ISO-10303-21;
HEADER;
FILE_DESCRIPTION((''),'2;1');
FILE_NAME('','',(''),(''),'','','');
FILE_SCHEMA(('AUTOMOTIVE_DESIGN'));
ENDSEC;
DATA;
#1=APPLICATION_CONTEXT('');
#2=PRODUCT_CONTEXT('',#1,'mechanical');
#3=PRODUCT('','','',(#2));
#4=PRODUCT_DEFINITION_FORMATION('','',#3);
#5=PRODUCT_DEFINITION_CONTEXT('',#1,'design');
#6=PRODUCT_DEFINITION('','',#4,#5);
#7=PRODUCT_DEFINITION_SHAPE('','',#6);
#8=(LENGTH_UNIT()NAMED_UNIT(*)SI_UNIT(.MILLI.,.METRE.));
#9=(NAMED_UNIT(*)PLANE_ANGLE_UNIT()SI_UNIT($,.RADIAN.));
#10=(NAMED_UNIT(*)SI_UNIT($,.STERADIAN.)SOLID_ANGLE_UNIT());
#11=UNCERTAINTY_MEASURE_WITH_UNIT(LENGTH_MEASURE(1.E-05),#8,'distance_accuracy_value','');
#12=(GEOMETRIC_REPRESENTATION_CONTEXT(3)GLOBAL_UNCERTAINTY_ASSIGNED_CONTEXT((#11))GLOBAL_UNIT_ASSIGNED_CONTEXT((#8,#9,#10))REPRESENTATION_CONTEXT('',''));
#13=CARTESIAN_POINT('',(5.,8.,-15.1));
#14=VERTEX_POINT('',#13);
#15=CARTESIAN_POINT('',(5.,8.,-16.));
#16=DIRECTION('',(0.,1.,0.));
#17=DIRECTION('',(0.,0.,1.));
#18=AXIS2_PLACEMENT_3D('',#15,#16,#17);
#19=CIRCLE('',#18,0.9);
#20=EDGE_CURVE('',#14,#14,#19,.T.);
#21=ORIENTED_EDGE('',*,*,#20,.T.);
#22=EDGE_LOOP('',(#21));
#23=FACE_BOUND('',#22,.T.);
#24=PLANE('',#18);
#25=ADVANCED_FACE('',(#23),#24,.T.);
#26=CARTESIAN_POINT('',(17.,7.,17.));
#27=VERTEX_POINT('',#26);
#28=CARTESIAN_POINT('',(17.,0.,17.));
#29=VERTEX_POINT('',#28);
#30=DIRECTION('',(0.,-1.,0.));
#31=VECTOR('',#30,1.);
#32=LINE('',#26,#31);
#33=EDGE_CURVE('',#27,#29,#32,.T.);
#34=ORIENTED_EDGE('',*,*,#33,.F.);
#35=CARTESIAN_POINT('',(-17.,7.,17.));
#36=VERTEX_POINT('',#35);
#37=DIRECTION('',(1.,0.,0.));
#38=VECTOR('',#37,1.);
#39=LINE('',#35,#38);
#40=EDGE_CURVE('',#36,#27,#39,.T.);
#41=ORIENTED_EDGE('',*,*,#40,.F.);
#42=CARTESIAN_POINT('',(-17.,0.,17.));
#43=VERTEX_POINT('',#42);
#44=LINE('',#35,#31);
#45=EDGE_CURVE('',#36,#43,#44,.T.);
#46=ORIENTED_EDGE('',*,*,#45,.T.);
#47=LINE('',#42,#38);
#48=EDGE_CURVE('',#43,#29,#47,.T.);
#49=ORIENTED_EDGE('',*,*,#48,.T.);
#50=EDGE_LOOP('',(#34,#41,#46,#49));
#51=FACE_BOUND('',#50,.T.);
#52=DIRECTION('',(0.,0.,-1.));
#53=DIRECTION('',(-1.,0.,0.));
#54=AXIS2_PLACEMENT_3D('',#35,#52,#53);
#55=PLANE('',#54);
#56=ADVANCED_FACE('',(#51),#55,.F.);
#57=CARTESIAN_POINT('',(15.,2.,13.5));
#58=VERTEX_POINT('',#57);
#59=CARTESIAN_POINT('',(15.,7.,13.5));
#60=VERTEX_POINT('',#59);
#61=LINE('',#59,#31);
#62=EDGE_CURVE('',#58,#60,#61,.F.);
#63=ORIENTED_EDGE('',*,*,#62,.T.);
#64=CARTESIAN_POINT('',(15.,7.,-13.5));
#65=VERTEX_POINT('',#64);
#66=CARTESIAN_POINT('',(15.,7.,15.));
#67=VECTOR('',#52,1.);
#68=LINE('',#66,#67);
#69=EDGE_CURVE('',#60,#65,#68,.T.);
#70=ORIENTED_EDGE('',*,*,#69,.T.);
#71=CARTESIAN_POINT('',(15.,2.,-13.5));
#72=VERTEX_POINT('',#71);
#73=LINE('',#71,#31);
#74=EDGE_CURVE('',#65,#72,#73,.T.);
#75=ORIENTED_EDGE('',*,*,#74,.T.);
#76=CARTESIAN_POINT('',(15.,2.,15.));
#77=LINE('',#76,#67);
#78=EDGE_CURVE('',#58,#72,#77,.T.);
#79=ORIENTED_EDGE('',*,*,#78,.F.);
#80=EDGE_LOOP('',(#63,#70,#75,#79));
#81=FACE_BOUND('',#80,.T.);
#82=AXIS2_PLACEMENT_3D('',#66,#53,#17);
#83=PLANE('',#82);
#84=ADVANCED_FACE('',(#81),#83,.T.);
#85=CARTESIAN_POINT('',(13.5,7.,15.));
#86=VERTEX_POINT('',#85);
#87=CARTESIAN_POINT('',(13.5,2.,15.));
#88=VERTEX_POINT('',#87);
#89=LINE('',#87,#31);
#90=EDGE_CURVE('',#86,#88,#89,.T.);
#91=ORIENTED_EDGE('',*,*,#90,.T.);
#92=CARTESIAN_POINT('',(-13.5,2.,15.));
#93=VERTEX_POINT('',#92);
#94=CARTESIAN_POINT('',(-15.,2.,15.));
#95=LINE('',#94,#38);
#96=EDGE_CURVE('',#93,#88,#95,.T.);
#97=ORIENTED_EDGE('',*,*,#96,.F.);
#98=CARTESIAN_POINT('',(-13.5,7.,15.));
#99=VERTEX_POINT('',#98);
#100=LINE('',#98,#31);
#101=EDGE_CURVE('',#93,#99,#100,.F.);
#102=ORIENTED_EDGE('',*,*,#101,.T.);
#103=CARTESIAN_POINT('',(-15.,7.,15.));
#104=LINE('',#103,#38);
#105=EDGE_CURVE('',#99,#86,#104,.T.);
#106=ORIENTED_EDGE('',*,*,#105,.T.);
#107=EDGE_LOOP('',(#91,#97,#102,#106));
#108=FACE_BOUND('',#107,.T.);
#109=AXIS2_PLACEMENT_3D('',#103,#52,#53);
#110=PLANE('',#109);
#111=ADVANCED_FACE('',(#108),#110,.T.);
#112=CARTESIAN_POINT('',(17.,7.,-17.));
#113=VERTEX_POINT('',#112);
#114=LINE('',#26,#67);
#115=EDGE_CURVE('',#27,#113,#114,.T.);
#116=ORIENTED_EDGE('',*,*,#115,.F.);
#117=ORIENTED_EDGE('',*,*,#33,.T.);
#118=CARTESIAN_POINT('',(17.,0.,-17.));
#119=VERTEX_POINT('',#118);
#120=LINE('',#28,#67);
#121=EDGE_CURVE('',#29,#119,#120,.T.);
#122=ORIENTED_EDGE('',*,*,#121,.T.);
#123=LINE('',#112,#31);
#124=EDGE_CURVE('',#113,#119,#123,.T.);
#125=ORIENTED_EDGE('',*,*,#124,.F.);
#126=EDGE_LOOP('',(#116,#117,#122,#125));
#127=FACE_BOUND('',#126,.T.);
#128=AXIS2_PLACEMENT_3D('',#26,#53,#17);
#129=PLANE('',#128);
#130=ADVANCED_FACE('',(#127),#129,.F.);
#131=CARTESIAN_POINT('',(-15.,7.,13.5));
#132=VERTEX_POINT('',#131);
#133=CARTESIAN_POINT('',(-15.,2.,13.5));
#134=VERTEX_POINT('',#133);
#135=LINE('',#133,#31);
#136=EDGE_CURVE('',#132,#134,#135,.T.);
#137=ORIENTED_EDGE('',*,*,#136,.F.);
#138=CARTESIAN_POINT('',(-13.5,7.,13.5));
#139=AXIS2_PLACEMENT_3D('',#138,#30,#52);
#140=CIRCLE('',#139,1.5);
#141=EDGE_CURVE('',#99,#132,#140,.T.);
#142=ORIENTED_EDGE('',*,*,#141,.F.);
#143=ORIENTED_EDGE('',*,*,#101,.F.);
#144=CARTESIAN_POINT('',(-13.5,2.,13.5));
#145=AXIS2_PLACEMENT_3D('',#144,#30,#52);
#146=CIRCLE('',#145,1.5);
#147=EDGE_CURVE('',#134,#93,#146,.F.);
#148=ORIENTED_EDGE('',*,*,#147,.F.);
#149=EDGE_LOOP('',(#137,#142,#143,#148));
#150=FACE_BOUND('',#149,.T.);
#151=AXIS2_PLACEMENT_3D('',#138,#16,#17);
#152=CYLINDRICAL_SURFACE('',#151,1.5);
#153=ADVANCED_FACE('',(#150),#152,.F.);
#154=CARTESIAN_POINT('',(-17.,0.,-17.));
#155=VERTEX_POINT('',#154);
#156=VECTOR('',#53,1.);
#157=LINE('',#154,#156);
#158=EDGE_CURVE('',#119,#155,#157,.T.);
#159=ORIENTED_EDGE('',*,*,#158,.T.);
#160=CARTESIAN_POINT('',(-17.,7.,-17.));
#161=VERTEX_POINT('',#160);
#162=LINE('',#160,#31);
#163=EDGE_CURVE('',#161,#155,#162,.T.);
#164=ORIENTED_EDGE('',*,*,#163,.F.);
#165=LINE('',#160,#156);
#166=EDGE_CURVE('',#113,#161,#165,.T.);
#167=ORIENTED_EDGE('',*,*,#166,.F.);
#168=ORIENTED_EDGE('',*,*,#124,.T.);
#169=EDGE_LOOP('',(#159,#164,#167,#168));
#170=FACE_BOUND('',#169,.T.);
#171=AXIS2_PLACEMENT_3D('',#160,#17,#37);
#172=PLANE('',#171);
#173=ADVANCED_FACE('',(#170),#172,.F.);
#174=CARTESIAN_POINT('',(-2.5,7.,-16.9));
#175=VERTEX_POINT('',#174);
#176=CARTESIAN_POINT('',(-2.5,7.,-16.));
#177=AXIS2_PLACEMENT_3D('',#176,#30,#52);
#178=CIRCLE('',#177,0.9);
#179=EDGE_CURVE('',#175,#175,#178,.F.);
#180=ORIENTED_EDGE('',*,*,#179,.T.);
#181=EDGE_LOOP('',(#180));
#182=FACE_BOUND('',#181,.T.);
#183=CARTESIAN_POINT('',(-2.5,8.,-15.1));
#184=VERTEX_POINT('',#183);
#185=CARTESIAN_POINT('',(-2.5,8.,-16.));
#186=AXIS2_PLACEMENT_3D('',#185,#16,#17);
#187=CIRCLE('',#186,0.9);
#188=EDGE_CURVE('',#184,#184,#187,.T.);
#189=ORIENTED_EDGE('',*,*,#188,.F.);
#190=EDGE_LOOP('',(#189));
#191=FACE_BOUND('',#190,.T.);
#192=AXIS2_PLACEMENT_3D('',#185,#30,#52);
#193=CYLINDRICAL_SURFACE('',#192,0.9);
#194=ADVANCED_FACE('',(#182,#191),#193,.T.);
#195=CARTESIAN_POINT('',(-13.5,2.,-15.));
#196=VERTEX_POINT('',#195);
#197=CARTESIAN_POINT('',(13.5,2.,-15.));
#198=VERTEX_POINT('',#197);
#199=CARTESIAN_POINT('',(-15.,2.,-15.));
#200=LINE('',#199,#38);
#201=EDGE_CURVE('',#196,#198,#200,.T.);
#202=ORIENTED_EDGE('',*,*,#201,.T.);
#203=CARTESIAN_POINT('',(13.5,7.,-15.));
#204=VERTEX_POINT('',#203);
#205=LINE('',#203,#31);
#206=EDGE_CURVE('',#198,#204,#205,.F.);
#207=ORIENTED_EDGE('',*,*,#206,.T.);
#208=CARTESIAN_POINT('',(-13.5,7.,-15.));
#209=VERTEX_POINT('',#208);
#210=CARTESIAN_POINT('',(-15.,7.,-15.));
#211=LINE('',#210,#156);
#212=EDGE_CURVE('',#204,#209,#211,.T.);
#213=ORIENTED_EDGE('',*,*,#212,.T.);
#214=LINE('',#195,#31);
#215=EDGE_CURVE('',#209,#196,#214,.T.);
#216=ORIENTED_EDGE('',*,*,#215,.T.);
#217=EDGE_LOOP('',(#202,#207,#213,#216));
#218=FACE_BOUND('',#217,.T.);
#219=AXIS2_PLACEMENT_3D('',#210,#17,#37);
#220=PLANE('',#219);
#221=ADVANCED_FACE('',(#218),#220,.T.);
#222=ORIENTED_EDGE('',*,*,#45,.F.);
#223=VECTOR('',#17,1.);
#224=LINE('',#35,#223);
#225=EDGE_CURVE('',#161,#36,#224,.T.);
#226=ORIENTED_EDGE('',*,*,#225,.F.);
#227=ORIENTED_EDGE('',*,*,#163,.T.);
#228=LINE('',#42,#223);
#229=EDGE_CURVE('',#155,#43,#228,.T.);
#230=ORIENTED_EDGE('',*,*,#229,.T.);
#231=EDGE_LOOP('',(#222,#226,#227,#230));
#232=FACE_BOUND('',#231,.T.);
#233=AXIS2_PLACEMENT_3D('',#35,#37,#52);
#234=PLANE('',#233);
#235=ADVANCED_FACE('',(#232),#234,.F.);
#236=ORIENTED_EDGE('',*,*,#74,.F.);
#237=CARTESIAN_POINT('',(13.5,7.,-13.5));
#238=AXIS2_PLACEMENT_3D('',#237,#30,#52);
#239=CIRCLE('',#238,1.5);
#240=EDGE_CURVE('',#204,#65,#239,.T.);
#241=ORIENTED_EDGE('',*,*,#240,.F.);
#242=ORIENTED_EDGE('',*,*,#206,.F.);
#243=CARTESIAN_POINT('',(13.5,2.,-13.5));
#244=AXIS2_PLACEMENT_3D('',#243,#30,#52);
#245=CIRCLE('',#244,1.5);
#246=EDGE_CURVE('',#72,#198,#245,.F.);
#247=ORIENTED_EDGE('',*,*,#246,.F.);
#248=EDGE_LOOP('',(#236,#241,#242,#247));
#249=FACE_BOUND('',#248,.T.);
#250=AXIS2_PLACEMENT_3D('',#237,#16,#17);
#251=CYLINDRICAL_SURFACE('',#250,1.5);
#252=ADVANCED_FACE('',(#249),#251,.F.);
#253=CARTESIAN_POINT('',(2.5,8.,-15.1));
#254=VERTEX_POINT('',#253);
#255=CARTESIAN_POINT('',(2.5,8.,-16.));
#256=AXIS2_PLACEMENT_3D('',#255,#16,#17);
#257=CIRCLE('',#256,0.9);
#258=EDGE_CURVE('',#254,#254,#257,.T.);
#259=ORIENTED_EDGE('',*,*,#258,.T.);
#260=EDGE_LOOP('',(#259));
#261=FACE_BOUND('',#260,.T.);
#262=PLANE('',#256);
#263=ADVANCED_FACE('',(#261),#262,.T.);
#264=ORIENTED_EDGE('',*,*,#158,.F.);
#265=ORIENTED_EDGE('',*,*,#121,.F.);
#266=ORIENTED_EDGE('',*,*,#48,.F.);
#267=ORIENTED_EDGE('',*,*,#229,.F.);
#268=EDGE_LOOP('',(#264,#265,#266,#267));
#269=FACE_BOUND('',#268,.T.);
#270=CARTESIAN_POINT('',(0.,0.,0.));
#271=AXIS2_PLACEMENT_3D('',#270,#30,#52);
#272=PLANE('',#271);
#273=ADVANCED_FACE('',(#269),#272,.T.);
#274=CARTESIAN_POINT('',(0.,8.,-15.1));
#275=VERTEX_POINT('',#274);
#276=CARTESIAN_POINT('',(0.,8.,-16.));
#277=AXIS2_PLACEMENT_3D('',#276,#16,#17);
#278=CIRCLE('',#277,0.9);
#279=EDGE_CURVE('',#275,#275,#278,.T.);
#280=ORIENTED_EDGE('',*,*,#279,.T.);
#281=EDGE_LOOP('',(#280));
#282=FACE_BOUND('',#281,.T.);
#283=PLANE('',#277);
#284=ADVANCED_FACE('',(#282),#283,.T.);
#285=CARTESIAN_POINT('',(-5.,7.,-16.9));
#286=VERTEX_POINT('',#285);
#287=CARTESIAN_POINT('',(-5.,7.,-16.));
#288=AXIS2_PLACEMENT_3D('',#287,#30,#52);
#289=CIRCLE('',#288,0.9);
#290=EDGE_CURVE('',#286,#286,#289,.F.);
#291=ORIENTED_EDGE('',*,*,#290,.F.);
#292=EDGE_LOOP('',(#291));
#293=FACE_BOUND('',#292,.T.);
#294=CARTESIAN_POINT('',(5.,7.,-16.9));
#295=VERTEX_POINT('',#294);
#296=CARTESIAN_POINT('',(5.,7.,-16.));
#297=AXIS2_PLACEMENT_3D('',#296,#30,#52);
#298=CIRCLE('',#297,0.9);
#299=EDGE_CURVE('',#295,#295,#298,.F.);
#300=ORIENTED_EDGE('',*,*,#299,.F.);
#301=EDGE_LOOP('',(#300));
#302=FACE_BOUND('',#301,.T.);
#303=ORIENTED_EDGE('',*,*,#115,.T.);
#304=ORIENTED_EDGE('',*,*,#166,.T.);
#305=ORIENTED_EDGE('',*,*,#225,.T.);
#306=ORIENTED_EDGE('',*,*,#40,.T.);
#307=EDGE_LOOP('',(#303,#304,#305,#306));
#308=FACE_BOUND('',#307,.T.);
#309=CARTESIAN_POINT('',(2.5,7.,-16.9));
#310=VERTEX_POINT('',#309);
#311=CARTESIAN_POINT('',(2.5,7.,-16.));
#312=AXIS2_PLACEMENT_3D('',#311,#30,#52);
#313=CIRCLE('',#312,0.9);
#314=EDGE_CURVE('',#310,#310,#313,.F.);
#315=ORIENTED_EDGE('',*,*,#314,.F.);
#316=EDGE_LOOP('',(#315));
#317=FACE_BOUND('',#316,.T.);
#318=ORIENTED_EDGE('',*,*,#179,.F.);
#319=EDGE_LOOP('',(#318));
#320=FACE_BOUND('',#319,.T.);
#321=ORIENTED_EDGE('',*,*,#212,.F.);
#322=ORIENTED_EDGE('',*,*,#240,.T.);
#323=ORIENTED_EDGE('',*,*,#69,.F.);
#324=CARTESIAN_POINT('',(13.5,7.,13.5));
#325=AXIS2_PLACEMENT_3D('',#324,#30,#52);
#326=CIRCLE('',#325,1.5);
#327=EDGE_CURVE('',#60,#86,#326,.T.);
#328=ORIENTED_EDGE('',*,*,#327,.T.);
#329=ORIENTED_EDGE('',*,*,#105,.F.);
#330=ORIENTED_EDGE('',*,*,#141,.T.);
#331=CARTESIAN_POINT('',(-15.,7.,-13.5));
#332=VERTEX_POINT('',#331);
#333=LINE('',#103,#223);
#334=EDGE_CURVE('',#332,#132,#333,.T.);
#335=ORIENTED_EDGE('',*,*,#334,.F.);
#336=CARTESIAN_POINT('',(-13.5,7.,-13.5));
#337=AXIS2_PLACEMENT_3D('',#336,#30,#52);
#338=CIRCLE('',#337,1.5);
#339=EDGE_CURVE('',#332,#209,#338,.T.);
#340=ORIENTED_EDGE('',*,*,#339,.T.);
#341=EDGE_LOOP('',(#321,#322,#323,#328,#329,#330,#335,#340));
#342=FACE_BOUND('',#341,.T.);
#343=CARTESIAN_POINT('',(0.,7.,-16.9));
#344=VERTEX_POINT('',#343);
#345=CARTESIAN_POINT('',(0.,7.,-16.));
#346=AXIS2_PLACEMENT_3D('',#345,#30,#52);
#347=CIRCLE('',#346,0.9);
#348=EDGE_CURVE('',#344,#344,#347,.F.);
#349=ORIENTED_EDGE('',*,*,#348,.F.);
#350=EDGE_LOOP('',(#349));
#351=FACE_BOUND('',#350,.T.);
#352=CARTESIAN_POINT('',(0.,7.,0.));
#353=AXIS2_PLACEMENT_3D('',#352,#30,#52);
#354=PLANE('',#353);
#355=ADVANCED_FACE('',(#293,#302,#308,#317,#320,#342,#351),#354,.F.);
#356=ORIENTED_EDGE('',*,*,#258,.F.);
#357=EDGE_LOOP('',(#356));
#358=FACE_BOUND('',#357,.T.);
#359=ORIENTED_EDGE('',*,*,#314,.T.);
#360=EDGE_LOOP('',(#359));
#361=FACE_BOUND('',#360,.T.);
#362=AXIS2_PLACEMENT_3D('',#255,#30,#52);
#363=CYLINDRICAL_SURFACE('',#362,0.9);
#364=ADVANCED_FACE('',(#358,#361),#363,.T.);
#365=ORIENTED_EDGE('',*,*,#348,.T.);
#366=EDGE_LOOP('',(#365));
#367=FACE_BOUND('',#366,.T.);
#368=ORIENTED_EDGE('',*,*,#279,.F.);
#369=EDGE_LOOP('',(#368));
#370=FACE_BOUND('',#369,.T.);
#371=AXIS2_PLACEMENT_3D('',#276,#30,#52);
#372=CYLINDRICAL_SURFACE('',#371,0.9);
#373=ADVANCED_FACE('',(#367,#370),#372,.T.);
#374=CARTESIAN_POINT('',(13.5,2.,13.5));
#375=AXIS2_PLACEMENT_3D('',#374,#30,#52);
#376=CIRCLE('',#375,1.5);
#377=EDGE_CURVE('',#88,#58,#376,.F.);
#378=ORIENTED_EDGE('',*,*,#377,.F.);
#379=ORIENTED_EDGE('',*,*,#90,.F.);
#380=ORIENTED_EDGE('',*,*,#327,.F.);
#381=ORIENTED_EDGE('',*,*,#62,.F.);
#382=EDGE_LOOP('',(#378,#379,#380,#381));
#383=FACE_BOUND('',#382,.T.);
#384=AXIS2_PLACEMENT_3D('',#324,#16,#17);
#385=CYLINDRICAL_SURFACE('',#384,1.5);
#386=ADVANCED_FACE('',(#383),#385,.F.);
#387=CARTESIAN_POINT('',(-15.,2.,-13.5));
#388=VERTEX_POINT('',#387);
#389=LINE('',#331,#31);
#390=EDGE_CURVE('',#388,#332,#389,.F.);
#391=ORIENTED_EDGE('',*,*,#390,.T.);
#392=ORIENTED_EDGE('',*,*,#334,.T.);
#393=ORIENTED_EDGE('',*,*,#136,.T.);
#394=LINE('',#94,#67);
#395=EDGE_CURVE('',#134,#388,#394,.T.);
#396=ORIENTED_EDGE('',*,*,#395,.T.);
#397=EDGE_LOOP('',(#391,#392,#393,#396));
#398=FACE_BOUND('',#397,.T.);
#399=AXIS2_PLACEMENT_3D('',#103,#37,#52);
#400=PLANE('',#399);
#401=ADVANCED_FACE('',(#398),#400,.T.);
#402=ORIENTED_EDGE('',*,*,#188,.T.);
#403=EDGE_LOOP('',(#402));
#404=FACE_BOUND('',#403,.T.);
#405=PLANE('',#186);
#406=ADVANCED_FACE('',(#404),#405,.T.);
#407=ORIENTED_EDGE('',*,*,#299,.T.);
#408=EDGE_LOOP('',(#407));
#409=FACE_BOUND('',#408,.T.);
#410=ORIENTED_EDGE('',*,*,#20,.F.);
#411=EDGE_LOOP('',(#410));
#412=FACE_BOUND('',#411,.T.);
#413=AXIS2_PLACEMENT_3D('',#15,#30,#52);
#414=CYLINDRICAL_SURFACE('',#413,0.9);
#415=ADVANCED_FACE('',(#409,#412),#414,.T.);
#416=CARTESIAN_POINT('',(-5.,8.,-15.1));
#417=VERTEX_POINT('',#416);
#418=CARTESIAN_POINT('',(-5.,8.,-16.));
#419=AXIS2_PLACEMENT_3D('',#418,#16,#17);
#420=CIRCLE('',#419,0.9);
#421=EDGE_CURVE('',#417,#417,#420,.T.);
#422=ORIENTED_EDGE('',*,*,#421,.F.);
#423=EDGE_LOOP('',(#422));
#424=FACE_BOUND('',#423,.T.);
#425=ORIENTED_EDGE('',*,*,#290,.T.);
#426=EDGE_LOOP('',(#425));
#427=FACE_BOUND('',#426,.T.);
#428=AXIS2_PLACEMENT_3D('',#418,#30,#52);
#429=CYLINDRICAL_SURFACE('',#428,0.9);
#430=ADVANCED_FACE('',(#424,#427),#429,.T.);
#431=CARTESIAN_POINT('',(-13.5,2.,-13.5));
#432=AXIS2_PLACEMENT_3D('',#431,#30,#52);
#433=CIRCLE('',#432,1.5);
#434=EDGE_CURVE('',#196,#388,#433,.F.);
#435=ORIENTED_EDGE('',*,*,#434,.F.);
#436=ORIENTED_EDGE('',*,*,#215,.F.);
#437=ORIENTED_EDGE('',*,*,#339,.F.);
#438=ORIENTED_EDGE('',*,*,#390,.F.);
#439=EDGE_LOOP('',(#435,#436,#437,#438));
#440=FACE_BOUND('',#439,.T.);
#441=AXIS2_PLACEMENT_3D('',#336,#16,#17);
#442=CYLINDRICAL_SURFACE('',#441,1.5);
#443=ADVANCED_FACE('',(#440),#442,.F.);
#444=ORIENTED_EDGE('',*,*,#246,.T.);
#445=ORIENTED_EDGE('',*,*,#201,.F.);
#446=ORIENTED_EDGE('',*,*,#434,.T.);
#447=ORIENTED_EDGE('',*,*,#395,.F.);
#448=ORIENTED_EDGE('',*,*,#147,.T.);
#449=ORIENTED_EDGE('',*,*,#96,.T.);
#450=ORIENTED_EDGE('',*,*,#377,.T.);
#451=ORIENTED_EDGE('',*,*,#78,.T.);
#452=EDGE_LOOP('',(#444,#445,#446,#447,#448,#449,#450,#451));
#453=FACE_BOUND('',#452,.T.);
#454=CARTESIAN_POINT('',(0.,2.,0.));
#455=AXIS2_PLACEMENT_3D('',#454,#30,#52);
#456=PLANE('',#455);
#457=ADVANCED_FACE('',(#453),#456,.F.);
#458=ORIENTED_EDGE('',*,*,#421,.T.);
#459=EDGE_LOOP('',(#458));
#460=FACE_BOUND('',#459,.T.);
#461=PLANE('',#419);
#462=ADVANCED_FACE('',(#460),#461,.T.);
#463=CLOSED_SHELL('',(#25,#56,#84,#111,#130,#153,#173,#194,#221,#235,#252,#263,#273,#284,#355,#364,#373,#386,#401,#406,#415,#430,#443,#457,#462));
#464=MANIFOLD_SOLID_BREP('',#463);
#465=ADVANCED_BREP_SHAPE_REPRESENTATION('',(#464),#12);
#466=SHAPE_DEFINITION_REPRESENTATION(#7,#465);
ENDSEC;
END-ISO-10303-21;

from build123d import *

# Parameters (mm, degrees)
SKETCH1_W           = 30
SKETCH1_H           = 30
BOSS_EXTRUDE2_DEPTH = 2
SKETCH1_6_W         = 34
SKETCH1_6_H         = 34
SKETCH1_6_W_2       = 30
SKETCH1_6_H_2       = 30
BOSS_EXTRUDE3_DEPTH = 7
FILLET1_R           = 1.5
SKETCH2_R           = 0.9
BOSS_EXTRUDE4_DEPTH = 1


with BuildPart() as part:
    # Sketch1 → Boss-Extrude2 (new body)
    with BuildSketch(Plane(origin=(0, 0, 0), x_dir=(1, 0, 0), z_dir=(0, 1, 0))):
        Rectangle(SKETCH1_W, SKETCH1_H)
    extrude(amount=BOSS_EXTRUDE2_DEPTH)

    # Sketch1<6> → Boss-Extrude3 (add)
    with BuildSketch(Plane(origin=(0, 0, 0), x_dir=(1, 0, 0), z_dir=(0, 1, 0))):
        Rectangle(SKETCH1_6_W, SKETCH1_6_H)
        Rectangle(SKETCH1_6_W_2, SKETCH1_6_H_2, mode=Mode.SUBTRACT)
    extrude(amount=BOSS_EXTRUDE3_DEPTH)

    # Fillet1
    fillet1_edges = [part.edges().sort_by_distance(p)[0] for p in [
        (15, 4.5, -15),
        (-15, 4.5, -15),
        (-15, 4.5, 15),
        (15, 4.5, 15),
    ]]
    fillet(fillet1_edges, radius=FILLET1_R)

    # Sketch2 → Boss-Extrude4 (add)
    with BuildSketch(Plane(origin=(0, 7, 0), x_dir=(1, 0, 0), z_dir=(0, 1, 0))):
        with Locations((0, 16)):
            Circle(SKETCH2_R)
        with Locations((-2.5, 16)):
            Circle(SKETCH2_R)
        with Locations((-5, 16)):
            Circle(SKETCH2_R)
        with Locations((2.5, 16)):
            Circle(SKETCH2_R)
        with Locations((5, 16)):
            Circle(SKETCH2_R)
    extrude(amount=BOSS_EXTRUDE4_DEPTH)


solid = part.part
